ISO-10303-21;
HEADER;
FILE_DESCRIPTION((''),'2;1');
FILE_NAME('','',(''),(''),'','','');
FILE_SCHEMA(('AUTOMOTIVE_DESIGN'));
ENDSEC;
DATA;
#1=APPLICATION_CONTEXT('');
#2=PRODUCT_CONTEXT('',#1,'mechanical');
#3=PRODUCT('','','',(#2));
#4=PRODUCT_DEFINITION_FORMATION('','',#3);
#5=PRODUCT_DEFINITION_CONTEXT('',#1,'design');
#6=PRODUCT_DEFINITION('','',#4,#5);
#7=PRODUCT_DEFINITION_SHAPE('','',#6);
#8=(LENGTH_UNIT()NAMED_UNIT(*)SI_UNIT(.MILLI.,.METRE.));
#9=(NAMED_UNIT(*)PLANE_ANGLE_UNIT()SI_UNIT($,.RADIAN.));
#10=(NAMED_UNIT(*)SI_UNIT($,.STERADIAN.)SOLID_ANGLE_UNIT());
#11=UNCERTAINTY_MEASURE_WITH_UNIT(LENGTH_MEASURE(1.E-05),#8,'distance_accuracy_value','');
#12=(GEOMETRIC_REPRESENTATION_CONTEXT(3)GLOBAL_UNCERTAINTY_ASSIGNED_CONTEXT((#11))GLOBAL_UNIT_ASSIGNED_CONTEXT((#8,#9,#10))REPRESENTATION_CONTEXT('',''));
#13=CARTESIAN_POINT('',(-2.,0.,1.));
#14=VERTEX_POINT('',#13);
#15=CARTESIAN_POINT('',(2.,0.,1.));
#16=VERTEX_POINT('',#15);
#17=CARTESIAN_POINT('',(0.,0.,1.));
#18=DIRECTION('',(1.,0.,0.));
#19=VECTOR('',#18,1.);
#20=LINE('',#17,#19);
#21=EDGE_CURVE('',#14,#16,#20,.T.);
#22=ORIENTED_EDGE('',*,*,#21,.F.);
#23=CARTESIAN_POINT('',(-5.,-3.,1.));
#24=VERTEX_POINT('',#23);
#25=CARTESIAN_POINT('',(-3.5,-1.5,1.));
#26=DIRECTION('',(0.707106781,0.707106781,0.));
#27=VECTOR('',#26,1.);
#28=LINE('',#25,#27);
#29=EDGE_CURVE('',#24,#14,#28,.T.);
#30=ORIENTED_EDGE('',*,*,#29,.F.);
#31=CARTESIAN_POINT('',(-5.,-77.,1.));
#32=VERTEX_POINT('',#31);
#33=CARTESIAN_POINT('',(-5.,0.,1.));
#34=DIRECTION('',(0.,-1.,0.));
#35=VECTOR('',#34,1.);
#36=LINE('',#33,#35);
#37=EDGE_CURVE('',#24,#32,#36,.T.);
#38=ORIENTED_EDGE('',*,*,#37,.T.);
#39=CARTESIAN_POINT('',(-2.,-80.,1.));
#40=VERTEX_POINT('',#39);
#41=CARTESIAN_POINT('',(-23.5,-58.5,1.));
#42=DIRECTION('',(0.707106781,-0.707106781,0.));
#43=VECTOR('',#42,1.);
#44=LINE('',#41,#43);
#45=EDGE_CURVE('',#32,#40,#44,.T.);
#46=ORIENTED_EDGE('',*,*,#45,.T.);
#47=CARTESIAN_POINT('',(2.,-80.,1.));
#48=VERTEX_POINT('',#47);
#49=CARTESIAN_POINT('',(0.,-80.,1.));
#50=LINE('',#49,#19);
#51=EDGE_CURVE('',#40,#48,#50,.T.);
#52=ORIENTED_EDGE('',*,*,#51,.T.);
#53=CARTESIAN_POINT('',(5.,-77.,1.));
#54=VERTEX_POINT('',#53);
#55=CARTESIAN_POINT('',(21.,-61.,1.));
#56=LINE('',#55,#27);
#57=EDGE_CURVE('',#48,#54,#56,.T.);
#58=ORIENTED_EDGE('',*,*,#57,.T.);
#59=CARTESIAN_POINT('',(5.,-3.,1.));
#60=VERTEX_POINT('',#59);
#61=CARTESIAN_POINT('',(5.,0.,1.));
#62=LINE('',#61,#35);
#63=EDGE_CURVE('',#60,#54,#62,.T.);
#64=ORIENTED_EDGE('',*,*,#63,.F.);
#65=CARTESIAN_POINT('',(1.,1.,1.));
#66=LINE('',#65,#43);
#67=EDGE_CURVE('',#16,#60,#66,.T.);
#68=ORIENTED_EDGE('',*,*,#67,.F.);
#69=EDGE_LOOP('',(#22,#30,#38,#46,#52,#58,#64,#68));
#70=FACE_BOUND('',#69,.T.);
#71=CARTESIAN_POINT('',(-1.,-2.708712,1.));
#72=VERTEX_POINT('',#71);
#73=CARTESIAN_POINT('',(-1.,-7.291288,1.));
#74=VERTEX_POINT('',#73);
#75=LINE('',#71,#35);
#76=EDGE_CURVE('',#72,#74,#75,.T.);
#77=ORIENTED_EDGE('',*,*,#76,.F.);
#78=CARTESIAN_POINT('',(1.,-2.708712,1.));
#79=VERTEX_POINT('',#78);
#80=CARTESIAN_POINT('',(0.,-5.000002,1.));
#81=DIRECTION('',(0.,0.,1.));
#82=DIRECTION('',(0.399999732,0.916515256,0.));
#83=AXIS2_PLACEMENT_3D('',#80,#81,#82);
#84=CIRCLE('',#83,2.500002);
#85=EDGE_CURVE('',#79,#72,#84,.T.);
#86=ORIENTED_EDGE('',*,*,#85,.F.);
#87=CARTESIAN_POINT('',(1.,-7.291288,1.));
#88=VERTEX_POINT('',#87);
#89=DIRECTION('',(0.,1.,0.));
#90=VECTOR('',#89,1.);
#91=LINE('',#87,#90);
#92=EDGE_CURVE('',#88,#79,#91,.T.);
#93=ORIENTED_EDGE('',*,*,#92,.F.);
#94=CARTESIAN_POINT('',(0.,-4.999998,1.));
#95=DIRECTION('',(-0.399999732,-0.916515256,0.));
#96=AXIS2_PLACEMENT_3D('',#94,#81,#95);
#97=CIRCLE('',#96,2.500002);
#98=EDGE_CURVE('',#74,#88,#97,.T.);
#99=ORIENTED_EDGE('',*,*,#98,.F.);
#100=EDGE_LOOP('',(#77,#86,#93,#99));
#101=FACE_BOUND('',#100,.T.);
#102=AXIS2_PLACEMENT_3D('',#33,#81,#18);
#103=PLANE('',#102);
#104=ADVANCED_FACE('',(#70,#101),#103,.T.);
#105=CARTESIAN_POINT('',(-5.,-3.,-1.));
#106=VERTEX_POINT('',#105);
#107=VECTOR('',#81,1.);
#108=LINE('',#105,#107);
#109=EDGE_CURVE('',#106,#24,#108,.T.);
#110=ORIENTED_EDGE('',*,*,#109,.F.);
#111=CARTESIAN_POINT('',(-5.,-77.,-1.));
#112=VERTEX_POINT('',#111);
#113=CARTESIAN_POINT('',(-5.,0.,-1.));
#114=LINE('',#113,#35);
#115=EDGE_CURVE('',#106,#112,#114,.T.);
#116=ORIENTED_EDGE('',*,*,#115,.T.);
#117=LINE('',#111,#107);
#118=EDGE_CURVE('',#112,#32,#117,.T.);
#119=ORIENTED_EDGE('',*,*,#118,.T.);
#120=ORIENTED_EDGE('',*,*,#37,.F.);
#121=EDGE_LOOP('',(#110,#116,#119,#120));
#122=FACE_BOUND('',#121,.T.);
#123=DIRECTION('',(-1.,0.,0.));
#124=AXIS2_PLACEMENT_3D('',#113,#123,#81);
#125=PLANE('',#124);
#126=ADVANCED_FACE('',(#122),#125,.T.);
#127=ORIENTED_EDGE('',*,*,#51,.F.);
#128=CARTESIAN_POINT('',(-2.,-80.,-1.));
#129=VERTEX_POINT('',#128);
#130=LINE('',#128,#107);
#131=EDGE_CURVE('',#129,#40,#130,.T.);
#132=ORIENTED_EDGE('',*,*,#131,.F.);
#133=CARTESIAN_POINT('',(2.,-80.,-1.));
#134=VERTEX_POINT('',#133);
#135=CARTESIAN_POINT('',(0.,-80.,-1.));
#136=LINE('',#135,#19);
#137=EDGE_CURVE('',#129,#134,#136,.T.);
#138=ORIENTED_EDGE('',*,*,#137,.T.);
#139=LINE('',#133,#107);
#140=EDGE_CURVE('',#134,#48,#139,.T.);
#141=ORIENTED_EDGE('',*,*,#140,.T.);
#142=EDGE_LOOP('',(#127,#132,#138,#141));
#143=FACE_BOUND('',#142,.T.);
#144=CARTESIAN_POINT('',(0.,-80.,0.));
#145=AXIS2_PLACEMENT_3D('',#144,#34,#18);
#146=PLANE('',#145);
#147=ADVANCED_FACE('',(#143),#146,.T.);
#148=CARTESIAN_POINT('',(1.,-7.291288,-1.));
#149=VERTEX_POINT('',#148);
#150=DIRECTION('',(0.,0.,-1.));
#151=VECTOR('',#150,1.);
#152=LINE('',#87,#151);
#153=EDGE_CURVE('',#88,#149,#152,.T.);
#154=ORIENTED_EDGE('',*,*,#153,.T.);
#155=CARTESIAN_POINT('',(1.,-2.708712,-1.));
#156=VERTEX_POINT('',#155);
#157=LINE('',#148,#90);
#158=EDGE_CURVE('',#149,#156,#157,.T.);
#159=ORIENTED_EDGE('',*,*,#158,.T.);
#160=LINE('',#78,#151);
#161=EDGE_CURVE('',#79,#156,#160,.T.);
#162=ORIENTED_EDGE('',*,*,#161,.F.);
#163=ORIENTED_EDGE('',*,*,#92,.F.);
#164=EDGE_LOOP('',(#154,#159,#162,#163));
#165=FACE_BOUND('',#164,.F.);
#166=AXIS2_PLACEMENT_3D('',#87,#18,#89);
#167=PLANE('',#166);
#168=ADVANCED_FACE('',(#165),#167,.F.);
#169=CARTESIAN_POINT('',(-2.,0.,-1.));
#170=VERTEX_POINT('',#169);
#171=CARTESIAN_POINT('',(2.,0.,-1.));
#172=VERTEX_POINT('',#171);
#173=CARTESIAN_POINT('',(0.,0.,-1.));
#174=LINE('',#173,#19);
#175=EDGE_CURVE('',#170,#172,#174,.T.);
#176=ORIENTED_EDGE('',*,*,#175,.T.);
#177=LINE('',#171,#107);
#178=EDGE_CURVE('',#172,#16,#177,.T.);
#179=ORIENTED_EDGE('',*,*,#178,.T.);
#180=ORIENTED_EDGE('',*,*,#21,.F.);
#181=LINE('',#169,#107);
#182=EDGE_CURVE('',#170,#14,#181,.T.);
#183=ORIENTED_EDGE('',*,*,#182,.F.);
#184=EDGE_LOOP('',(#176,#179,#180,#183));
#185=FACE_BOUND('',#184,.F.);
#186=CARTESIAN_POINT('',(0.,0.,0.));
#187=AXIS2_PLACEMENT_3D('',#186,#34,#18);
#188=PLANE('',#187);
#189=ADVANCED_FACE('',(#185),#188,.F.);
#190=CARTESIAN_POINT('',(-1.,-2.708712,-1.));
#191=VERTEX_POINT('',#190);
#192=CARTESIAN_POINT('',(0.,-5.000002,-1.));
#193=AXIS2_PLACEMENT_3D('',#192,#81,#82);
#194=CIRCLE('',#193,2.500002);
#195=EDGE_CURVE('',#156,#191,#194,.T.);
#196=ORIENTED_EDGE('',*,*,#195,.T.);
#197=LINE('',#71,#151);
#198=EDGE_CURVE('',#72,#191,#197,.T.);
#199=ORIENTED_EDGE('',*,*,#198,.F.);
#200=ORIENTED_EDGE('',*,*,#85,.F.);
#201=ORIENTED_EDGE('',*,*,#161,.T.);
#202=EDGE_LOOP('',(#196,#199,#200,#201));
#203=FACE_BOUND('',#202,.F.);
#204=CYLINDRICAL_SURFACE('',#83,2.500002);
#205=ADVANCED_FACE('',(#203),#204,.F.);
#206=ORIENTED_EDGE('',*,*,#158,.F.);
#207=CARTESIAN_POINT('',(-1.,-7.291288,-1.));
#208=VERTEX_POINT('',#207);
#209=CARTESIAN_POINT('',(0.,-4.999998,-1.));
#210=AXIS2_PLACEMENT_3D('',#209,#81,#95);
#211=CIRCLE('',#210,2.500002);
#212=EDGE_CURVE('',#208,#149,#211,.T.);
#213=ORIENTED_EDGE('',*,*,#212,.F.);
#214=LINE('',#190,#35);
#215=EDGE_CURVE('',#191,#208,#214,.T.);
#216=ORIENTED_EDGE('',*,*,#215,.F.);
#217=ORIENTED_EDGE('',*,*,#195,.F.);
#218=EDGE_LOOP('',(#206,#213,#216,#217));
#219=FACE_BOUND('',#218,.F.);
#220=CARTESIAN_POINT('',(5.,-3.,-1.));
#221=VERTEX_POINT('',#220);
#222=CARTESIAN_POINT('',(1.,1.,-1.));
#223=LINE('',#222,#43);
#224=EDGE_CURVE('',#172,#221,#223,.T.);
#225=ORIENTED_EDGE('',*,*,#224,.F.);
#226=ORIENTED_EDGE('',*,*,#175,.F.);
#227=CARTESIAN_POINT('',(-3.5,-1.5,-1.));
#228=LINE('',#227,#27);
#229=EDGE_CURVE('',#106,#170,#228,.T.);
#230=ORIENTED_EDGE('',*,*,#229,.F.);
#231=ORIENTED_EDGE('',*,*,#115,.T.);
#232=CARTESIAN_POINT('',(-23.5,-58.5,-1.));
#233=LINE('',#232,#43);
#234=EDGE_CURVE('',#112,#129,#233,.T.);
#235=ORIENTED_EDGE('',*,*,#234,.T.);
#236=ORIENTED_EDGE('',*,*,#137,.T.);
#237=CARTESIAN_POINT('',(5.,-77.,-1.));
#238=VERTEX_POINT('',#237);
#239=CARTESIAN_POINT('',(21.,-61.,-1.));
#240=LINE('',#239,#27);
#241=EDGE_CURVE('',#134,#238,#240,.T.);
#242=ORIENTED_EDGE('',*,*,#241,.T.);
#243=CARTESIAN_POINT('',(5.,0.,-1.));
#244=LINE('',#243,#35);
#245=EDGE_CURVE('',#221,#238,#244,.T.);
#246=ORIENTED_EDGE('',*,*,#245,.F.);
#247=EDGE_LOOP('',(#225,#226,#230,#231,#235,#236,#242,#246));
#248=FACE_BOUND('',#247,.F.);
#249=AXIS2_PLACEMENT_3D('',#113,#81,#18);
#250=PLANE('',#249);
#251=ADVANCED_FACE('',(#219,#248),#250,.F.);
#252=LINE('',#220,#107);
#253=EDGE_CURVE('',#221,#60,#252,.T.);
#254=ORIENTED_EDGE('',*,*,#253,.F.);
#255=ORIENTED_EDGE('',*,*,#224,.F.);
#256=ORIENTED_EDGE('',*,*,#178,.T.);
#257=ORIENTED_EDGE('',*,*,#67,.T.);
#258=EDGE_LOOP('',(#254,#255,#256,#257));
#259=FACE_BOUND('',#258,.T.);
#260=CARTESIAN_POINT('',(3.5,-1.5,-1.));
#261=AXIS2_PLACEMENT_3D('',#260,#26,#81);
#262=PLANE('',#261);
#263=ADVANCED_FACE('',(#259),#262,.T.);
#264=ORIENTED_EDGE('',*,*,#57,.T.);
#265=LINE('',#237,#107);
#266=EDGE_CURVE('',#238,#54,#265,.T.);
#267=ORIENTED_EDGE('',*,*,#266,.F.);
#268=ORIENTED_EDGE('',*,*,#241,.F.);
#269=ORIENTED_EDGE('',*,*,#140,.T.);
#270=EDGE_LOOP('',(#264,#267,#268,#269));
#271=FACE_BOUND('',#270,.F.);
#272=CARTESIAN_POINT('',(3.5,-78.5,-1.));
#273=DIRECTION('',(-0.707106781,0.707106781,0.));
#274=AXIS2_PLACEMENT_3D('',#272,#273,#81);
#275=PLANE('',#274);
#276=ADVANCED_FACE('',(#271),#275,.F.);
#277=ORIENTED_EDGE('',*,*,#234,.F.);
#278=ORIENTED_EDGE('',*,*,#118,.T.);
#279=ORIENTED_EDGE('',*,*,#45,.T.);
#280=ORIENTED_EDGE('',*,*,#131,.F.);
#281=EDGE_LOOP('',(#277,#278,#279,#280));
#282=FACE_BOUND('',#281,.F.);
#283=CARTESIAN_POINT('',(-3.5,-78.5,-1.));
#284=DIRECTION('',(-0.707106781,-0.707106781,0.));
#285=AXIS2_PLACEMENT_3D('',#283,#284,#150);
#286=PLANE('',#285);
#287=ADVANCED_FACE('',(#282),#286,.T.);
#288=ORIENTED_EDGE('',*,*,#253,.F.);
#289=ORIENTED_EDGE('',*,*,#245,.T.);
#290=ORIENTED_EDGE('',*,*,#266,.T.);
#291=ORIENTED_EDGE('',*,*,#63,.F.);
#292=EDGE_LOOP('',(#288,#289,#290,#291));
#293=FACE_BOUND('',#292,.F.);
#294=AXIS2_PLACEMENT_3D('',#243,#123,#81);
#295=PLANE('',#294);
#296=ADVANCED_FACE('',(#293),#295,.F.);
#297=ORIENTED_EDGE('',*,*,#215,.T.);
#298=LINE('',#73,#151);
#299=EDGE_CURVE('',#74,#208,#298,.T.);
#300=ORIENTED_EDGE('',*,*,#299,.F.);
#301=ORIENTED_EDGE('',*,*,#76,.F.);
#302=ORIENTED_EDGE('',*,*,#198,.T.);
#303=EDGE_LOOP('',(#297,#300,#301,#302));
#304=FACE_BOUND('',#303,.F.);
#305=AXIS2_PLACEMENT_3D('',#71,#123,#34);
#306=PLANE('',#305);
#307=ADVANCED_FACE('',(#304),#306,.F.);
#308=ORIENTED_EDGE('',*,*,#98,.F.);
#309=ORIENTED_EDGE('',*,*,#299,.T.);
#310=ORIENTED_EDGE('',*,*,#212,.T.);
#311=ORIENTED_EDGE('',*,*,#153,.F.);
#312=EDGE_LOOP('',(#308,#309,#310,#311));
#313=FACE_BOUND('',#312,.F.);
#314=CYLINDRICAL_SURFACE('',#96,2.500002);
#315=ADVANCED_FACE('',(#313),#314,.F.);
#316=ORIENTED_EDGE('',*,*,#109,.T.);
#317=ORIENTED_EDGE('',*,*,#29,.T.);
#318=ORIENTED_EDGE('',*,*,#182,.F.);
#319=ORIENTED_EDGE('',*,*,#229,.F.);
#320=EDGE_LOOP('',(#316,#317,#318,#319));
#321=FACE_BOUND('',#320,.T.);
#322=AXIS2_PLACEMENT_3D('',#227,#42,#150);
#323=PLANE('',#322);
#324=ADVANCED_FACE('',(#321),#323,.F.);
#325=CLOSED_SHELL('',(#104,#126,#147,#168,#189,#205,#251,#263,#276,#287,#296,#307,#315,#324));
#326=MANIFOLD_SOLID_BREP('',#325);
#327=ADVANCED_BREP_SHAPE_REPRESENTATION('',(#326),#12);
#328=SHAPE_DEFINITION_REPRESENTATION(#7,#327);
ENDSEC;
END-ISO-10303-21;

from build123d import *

# Parameters (mm, degrees)
F0_W     = 10
F0_H     = 2
F1_DEPTH = 80
F3_DEPTH = 2
F4_SIZE  = 3


with BuildPart() as f1:
    # F0 (on Front) → F1 (new body)
    with BuildSketch(Plane.XZ):
        Rectangle(F0_W, F0_H)
    extrude(amount=F1_DEPTH)

    # F2 (on face) → F3 (cut, through all)
    with BuildSketch(Plane.XY.offset(1)):
        with BuildLine():
            Line((1, -7.291288), (1, -2.708712))
            ThreePointArc((1, -2.708712), (0, -2.5), (-1, -2.708712))
            Line((-1, -2.708712), (-1, -7.291288))
            ThreePointArc((-1, -7.291288), (0, -7.5), (1, -7.291288))
        make_face()
    extrude(amount=-F3_DEPTH, mode=Mode.SUBTRACT)

    # F4
    f4_edges = [f1.edges().sort_by_distance(p)[0] for p in [
        (-5, 0, 0),
        (5, 0, 0),
        (-5, -80, 0),
        (5, -80, 0),
    ]]
    chamfer(f4_edges, length=F4_SIZE)


solid = f1.part
